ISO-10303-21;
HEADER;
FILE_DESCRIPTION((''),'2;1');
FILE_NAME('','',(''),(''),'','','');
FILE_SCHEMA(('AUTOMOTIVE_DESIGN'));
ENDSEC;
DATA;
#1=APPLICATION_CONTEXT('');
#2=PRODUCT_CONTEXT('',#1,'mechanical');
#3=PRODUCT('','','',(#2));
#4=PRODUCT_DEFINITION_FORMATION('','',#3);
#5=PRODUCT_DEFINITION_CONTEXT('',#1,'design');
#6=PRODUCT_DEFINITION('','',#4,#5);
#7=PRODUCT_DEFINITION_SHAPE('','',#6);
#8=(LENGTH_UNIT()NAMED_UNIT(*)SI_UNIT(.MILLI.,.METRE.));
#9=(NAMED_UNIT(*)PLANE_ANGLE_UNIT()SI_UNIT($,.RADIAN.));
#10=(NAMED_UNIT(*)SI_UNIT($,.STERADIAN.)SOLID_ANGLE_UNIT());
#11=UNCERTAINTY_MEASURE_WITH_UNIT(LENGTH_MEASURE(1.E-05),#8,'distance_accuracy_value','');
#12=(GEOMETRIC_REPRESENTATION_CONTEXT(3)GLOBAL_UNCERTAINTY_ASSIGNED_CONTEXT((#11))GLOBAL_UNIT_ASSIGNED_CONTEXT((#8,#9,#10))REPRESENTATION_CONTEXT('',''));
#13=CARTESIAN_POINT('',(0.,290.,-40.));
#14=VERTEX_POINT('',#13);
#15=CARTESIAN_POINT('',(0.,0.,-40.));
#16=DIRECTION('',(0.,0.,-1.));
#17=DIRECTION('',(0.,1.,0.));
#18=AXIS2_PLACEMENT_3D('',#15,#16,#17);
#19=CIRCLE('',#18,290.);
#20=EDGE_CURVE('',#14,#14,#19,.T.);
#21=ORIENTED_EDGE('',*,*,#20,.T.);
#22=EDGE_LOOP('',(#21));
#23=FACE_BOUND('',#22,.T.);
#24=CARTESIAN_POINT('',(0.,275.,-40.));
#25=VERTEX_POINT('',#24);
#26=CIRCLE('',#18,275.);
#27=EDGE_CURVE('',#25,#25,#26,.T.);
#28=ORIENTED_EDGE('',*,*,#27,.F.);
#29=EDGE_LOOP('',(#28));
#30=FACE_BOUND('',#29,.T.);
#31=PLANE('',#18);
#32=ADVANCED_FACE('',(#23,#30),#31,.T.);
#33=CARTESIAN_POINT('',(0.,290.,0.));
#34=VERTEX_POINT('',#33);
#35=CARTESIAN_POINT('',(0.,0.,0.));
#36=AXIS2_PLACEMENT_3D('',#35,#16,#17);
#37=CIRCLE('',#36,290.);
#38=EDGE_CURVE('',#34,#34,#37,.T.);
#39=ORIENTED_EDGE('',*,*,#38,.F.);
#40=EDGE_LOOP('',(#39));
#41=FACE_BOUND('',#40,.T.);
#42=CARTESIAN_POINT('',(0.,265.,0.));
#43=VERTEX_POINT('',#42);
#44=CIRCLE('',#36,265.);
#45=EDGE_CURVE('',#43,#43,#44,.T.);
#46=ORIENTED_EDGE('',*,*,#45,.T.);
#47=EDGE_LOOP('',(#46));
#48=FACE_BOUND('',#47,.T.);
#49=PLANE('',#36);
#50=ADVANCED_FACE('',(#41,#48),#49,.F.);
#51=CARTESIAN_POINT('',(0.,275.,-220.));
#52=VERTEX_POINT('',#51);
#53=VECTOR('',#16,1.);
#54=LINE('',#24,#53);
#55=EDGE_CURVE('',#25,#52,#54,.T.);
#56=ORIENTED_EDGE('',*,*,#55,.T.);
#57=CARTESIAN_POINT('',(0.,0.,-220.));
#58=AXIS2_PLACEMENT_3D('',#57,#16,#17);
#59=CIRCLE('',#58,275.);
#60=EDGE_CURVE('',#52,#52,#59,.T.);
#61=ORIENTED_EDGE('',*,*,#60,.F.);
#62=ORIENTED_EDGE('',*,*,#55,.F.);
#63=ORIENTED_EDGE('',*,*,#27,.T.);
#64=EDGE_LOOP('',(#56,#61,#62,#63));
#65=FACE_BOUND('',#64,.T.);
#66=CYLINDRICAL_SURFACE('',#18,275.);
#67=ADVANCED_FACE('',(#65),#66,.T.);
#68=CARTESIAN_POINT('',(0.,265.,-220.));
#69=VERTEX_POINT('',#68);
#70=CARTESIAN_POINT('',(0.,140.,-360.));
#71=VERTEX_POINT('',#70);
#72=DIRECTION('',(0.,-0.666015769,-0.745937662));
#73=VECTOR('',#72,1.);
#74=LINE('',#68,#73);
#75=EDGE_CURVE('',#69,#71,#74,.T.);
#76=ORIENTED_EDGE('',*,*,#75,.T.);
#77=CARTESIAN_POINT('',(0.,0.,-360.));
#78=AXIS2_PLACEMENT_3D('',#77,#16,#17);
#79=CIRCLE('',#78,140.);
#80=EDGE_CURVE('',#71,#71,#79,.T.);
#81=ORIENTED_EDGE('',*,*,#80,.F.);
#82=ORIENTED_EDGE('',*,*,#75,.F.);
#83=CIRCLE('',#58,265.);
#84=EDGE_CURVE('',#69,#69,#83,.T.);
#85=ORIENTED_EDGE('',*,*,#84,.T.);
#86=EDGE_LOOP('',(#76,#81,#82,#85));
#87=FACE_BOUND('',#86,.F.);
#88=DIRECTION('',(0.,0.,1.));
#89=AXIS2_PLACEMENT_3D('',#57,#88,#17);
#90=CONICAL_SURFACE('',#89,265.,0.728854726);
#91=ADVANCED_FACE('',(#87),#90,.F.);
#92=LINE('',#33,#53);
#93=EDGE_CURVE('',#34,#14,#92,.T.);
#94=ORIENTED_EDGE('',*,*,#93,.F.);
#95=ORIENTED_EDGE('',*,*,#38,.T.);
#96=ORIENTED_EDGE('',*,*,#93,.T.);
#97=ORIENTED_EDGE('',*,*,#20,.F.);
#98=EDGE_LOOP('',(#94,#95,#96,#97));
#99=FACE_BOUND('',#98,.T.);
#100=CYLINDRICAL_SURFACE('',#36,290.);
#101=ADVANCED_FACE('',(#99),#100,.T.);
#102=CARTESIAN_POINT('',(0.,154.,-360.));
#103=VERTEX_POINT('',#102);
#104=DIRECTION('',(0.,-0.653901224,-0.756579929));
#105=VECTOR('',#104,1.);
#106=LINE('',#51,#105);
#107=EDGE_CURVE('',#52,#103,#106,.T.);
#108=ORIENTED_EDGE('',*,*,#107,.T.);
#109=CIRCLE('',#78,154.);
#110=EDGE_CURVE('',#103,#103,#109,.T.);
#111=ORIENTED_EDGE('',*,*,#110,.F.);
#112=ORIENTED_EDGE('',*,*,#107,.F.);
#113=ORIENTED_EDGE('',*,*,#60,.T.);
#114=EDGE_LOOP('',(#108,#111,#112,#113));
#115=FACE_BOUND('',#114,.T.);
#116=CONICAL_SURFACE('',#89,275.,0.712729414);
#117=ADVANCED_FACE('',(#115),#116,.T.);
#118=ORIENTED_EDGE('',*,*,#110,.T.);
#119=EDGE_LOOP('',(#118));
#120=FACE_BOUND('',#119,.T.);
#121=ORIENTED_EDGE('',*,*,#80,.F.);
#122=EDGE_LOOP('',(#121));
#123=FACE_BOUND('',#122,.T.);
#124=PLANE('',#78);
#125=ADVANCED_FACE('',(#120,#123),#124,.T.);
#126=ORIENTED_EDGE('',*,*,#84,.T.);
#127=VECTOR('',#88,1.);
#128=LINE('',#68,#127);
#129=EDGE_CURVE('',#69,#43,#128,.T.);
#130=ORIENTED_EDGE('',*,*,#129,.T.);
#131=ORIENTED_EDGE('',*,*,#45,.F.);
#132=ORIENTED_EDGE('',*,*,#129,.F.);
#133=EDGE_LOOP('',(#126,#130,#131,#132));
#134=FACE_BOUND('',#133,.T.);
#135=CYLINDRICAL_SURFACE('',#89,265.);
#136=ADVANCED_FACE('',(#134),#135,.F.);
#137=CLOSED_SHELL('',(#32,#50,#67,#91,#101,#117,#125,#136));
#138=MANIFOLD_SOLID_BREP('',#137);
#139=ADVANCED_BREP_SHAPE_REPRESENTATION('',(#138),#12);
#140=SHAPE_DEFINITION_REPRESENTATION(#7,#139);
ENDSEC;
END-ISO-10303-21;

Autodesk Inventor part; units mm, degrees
ref_plane "YZ Plane" through (0, 0, 0) normal (1, 0, 0) x (0, 1, 0)
ref_plane "XZ Plane" through (0, 0, 0) normal (0, 1, 0) x (-1, 0, 0)
ref_plane "XY Plane" through (0, 0, 0) normal (0, 0, 1) x (1, 0, 0)
sketch "Sketch1" plane through (0, 0, 0) normal (1, 0, 0) x (0, 1, 0)
  line L0 (0, 0) -> (0, -360)
  line L1 (0, 0) -> (3.9526, 0)
  line L2 (3.9526, 0) -> (290, 0)
  line L3 (290, 0) -> (290, -40)
  line L4 (290, -40) -> (275, -40)
  line L5 (275, -40) -> (275, -220)
  line L6 (140, -360) -> (0, -360)
  line L7 (265, -220) -> (265, 0)
  line L8 (265, -220) -> (140, -360)
  line L9 (275, -220) -> (154, -360)
  line L10 (154, -360) -> (140, -360)
  dimension "d0" = 360
  dimension "d1" = 530
  dimension "d2" = 40
  dimension "d3" = 580
  dimension "d4" = 550
  dimension "d7" = 180
  dimension "d8" = 220
  dimension "d13" = 140
  dimension "d14" = 14
revolve "Revolution1" add sketch "Sketch1" angle 360 about axis through (0, 0, 0) along (0, 0, -1) contours L8 L7 L2 L3 L4 L5 L9 L10
properties part number "DiscoCorpoScarico" material "Steel, Alloy"
